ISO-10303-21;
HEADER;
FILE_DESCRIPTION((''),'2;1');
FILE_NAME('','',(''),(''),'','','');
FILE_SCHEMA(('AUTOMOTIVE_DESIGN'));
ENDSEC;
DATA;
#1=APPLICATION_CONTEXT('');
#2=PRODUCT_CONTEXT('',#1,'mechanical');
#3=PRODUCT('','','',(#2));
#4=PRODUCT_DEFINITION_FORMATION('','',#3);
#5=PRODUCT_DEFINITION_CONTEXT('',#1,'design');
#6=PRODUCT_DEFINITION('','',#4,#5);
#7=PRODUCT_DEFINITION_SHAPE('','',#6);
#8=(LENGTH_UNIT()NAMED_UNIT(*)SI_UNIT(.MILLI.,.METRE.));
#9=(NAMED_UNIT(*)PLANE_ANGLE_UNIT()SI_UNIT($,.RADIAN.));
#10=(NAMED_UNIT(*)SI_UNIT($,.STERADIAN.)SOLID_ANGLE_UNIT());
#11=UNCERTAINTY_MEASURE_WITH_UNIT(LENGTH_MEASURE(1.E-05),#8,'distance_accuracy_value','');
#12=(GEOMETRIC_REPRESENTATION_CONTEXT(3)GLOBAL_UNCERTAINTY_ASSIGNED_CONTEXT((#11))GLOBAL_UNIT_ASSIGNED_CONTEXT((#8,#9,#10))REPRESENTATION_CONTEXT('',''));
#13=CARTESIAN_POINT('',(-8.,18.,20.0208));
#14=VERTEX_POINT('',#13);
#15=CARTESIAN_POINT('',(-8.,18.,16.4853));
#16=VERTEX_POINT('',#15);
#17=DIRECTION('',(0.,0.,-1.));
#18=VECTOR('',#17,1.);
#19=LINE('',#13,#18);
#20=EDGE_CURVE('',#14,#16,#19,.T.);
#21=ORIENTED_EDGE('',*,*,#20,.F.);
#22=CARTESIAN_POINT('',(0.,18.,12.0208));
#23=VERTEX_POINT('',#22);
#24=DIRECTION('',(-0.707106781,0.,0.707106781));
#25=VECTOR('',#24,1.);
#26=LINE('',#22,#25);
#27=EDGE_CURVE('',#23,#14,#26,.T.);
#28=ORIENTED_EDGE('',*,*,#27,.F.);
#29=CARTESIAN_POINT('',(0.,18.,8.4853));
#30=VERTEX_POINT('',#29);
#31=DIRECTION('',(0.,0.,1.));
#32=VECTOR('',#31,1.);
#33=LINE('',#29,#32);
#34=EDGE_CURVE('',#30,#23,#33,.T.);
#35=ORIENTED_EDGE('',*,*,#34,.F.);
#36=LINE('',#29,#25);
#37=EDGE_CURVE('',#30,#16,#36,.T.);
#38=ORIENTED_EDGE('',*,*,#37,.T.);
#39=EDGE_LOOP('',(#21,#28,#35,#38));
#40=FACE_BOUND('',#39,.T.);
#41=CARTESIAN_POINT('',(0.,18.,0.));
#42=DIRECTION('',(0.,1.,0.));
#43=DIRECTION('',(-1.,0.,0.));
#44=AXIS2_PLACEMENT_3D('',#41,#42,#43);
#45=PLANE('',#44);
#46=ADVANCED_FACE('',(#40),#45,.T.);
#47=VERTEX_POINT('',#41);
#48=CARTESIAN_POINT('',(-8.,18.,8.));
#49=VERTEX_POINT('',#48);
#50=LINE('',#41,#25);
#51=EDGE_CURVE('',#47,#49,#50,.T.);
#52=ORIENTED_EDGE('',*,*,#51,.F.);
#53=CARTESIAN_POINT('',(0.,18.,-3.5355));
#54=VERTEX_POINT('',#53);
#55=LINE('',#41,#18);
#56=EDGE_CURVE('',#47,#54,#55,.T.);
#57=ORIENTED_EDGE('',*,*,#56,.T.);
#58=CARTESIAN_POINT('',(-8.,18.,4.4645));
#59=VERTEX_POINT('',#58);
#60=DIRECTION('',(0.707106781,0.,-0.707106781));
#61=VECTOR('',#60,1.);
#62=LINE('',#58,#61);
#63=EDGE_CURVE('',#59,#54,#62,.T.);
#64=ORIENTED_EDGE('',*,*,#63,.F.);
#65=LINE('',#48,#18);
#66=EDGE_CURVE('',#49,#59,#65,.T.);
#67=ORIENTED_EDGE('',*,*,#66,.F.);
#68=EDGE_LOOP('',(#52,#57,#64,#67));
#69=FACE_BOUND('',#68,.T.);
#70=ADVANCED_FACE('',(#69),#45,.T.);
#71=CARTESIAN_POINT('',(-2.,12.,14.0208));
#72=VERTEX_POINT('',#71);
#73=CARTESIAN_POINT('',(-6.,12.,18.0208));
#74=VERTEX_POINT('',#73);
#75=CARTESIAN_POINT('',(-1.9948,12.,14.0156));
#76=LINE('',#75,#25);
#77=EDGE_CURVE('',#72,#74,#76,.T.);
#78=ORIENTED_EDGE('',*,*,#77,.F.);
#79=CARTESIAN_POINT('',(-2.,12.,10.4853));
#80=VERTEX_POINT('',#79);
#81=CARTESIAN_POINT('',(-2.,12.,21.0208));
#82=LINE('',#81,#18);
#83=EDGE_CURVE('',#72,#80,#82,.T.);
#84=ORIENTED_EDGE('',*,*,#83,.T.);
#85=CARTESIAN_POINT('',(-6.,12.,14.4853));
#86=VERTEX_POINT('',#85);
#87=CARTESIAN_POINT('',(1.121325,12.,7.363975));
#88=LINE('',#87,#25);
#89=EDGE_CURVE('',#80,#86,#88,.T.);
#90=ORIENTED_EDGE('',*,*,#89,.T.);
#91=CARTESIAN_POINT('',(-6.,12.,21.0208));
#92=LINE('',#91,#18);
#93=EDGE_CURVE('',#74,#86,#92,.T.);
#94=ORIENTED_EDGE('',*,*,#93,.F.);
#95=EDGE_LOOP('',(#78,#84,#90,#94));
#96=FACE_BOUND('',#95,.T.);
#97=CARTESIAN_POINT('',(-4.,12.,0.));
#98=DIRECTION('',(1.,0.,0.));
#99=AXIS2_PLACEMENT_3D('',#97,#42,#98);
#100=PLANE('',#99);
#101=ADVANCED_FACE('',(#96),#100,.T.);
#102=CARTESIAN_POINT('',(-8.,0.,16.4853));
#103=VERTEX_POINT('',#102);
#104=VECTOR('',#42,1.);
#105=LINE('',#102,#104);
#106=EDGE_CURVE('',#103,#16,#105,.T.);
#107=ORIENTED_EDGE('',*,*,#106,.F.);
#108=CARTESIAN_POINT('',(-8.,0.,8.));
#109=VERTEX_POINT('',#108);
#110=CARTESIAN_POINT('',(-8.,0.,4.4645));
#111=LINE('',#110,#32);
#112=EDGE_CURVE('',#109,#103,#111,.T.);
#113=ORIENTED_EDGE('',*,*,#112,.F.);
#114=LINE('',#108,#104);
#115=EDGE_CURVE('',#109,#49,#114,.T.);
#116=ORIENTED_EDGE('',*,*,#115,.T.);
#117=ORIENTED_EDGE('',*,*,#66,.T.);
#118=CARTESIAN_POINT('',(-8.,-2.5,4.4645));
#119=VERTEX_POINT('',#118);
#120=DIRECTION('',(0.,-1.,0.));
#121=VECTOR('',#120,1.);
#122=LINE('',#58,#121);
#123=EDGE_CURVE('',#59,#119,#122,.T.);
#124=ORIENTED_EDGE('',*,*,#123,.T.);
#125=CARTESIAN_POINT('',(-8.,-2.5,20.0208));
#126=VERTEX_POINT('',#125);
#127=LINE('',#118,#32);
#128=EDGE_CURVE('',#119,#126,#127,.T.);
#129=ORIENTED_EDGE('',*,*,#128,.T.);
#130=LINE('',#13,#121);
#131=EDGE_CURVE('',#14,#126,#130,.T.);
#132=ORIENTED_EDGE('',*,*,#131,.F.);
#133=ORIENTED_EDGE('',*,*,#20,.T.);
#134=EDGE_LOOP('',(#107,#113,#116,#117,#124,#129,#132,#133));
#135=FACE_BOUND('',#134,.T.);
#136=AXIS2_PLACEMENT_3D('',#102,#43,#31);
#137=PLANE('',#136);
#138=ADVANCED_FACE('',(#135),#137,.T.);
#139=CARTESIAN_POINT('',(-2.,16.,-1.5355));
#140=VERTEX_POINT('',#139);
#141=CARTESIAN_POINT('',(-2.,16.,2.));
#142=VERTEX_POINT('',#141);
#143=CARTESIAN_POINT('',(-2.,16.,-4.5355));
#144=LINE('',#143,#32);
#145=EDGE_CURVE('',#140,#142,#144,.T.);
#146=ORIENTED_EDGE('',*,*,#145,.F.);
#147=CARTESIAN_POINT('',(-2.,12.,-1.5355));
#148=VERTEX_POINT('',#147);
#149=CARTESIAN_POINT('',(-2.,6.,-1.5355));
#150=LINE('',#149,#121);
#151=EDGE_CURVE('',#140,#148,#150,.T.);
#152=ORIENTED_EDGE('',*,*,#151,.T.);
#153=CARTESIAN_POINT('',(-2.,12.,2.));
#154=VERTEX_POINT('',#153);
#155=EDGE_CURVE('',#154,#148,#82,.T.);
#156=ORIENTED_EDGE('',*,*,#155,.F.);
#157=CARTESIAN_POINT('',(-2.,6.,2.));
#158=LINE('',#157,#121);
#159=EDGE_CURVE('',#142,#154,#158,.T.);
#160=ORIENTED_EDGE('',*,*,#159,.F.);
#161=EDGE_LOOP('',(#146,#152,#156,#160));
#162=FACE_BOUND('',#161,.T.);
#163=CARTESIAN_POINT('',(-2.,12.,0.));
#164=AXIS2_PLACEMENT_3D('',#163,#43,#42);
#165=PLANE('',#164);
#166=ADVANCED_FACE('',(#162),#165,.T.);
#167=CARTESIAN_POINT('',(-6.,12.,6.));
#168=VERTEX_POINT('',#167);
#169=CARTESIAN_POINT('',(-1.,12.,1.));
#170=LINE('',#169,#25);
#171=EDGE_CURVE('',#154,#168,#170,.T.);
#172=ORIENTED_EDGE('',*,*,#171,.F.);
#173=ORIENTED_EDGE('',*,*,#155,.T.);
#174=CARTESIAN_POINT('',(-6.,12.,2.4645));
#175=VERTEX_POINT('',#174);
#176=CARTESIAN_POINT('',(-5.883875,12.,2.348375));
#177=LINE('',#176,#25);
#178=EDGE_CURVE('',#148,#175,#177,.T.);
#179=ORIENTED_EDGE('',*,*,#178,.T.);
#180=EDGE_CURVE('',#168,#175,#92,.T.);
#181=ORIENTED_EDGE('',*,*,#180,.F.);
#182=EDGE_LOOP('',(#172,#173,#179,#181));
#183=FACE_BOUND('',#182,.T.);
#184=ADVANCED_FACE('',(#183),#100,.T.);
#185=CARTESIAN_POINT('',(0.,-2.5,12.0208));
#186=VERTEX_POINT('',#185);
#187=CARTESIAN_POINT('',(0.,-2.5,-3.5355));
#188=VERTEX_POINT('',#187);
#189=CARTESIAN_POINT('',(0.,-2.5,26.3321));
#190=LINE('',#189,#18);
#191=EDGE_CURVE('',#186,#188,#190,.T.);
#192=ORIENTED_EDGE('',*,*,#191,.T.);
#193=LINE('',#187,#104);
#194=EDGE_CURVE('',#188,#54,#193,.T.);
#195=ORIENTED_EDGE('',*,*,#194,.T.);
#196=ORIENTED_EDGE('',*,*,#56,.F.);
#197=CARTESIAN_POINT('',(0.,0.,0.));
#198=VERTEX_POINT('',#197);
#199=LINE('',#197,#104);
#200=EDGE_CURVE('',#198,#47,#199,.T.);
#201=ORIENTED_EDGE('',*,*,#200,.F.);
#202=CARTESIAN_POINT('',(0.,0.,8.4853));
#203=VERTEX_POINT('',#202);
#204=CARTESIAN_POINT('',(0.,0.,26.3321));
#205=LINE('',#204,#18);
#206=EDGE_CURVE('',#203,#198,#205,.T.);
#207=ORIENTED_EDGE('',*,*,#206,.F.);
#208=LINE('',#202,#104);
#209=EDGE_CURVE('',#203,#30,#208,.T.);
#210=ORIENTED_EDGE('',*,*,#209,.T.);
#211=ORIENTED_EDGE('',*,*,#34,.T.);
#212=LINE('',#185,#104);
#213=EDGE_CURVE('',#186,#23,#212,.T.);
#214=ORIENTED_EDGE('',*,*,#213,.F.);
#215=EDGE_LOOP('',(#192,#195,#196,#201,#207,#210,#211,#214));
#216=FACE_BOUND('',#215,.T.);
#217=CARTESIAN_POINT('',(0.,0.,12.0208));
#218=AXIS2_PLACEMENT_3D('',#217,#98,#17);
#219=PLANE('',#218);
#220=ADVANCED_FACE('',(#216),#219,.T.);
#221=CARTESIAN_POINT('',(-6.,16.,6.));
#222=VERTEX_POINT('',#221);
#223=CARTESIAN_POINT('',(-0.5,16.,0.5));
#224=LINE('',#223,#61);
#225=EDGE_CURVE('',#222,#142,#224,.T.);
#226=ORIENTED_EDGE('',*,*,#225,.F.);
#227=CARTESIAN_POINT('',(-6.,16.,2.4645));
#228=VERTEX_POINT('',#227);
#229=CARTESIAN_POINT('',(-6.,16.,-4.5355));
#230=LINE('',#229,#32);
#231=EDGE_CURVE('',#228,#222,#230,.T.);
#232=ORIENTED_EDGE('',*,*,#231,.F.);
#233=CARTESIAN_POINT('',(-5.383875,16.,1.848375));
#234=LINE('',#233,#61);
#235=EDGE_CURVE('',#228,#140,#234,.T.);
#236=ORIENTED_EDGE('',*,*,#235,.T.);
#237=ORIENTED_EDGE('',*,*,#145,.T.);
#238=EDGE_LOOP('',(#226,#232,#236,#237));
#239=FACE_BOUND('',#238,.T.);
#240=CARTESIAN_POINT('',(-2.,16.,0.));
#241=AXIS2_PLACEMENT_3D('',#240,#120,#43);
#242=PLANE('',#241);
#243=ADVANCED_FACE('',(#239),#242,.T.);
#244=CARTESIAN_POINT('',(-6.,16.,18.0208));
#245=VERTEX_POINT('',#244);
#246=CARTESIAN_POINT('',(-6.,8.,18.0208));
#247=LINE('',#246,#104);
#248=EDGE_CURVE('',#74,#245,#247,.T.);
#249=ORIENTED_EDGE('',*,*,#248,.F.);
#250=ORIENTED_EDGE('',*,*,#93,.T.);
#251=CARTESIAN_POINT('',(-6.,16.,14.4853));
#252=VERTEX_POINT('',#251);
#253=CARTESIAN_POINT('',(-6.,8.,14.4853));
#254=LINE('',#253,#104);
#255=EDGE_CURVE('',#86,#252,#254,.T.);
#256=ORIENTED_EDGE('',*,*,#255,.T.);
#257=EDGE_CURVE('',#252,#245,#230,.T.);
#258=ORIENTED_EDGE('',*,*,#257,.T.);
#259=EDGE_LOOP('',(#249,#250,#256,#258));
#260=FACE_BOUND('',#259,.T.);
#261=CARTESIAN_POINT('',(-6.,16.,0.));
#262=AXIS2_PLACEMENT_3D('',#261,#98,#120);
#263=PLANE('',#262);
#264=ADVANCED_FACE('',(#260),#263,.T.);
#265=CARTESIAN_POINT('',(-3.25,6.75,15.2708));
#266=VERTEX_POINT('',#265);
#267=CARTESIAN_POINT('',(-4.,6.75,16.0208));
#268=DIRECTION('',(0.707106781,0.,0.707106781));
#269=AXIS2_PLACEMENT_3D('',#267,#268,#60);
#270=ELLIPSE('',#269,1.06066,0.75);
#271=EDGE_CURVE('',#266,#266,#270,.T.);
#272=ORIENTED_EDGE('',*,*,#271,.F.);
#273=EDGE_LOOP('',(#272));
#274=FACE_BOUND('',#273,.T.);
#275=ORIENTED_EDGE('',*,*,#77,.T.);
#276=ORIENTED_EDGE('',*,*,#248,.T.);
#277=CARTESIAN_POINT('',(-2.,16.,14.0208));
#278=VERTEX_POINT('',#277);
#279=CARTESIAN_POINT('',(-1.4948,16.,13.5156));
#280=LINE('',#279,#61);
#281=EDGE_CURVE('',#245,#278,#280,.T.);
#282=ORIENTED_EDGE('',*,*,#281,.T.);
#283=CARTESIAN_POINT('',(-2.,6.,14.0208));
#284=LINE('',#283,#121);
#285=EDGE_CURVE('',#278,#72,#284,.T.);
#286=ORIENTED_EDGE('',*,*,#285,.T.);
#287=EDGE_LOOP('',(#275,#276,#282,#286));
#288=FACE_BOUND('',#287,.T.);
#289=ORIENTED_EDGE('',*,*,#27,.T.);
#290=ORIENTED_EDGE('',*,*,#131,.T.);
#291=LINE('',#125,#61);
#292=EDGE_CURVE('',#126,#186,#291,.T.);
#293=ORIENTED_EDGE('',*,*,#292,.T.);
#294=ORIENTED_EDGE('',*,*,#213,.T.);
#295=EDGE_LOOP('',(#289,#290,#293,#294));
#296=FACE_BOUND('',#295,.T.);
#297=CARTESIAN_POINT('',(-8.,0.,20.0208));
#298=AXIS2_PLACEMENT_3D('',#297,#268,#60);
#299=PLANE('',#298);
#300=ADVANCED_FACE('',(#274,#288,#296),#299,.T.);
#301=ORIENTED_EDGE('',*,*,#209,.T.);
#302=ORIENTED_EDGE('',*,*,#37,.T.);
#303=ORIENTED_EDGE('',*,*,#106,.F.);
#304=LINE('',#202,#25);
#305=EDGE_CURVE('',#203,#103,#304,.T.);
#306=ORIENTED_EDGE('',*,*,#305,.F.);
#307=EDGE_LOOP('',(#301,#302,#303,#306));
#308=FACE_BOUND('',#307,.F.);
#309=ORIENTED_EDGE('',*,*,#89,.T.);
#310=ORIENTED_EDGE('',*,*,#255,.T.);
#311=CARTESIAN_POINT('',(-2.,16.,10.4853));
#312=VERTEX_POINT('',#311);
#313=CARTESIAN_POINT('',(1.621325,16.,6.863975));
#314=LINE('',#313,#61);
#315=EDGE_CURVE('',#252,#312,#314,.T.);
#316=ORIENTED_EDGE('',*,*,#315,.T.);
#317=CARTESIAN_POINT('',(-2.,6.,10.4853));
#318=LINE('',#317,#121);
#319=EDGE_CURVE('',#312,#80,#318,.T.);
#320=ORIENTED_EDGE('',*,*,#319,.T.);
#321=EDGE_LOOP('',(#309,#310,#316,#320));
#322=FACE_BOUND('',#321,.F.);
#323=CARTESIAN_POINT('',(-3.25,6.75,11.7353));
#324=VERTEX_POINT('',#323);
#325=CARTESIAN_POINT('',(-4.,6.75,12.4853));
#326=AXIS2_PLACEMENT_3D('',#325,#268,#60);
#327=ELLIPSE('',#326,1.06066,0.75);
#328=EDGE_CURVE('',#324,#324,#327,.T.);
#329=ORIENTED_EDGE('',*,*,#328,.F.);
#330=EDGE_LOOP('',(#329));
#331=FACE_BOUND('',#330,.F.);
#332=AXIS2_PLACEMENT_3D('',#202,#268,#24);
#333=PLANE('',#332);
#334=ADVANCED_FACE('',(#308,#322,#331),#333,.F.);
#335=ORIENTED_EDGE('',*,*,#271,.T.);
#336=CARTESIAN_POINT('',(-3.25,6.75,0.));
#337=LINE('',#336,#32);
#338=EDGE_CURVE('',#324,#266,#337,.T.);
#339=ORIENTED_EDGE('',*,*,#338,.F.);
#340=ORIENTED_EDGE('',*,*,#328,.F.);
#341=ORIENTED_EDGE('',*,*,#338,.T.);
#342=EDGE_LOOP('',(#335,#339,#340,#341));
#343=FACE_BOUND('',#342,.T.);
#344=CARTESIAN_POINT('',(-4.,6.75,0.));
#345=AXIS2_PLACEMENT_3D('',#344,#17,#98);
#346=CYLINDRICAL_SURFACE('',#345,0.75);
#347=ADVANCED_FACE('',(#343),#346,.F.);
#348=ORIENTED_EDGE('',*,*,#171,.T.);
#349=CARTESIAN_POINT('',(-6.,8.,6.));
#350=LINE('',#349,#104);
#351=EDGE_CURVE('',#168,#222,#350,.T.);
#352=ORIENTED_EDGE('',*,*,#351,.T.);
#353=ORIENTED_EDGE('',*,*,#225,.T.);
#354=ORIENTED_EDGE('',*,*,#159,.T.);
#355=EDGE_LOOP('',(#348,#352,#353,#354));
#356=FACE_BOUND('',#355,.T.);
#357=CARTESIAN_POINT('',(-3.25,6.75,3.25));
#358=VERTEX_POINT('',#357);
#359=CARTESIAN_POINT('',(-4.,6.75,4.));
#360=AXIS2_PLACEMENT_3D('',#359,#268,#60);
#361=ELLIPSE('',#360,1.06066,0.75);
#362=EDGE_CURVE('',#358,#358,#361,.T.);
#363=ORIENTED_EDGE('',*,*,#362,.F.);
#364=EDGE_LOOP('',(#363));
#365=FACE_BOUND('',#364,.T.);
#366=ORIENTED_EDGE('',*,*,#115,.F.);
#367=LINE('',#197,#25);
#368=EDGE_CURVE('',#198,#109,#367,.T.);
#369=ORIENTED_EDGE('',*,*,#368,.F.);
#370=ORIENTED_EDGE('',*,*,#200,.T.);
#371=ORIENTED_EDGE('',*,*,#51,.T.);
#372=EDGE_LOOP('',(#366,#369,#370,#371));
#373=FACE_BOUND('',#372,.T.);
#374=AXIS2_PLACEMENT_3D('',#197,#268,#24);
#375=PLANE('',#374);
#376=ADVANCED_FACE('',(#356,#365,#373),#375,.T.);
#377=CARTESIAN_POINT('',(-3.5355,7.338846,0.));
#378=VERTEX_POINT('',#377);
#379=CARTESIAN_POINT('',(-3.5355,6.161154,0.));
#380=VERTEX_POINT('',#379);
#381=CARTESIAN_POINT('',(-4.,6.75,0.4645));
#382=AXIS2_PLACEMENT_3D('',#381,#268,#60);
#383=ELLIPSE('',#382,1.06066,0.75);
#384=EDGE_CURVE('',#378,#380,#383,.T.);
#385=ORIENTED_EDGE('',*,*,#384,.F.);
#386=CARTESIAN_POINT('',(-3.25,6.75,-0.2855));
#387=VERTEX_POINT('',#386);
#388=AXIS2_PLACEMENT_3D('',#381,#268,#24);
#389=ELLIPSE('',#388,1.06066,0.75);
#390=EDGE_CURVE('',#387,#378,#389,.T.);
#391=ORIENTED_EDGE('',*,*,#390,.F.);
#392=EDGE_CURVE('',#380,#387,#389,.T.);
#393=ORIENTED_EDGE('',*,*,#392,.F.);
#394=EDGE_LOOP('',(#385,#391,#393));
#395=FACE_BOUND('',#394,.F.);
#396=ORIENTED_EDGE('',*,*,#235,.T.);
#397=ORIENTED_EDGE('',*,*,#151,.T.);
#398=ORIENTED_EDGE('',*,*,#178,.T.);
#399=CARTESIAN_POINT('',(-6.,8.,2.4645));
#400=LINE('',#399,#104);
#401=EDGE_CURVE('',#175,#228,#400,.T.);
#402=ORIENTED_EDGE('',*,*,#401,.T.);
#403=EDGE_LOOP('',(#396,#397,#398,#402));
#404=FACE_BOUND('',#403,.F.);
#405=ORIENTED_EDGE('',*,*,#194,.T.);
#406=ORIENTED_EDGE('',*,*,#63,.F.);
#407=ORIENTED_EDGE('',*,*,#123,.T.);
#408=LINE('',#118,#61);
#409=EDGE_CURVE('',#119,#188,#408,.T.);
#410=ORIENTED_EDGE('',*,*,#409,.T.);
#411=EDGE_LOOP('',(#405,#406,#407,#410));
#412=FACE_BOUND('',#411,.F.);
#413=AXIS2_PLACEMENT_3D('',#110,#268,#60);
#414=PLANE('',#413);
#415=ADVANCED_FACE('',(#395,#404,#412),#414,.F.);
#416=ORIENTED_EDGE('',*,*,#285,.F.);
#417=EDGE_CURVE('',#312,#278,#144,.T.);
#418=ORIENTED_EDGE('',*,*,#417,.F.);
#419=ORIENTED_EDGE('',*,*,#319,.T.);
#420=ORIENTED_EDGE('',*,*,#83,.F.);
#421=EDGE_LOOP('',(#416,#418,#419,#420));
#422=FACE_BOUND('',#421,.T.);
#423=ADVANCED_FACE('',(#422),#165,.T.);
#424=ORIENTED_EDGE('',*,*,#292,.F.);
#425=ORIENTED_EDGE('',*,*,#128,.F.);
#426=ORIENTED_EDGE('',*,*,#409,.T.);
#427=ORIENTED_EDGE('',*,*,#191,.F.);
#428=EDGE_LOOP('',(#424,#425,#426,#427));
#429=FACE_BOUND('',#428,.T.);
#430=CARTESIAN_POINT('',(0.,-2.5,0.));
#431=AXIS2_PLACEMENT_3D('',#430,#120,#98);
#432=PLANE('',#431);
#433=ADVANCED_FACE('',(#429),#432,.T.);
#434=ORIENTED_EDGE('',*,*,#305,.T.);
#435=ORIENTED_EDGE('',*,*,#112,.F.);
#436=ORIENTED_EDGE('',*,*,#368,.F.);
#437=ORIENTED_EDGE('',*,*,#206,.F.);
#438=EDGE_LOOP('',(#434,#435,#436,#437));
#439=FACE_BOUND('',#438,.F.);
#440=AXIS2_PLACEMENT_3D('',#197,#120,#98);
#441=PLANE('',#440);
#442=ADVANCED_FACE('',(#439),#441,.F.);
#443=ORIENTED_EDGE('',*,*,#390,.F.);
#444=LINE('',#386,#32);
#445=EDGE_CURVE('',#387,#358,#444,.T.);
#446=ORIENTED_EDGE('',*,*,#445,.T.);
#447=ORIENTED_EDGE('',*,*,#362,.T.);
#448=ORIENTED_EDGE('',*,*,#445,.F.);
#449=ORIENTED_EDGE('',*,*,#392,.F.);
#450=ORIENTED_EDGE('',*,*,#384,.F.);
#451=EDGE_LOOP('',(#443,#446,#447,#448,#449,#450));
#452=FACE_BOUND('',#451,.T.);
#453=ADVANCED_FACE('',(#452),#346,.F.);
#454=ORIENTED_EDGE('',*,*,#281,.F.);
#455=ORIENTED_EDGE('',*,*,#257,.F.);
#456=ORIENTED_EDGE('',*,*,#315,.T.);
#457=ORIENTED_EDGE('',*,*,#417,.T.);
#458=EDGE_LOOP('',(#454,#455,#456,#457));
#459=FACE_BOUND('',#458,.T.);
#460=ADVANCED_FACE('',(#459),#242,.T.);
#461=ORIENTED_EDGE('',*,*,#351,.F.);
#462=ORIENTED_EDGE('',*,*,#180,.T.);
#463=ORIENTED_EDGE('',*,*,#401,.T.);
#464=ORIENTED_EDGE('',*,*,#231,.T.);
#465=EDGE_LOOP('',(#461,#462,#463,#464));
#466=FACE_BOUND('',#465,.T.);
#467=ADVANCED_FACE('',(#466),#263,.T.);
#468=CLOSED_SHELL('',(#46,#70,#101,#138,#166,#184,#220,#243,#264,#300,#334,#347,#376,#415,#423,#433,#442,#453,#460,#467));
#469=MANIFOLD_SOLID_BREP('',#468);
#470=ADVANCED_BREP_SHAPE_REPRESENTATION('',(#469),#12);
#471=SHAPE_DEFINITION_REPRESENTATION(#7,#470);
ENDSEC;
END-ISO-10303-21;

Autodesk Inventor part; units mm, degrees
ref_plane "YZ Plane" through (0, 0, 0) normal (1, 0, 0) x (0, 1, 0)
ref_plane "XZ Plane" through (0, 0, 0) normal (0, 1, 0) x (-1, 0, 0)
ref_plane "XY Plane" through (0, 0, 0) normal (0, 0, 1) x (1, 0, 0)
sketch "Sketch2" plane through (0, 0, 0) normal (0, 1, 0) x (-1, 0, 0)
  line L0 (0, 0) -> (15.6172, 15.6172) construction
  line L1 (0, 0) -> (0, -11.6637) construction
  line L2 (-18.4102, -9.9249) -> (9.458, 17.9433) construction
  line L3 (0, 0) -> (8, 8)
  line L4 (8, 4.4645) -> (8, 4.4645)
  line L5 (8, 8) -> (8, 4.4645)
  line L6 (0, 0) -> (0, -3.5355)
  line L7 (0, 8.4853) -> (0, 12.0208)
  line L8 (0, 12.0208) -> (8, 20.0208)
  line L9 (8, 20.0208) -> (8, 16.4853)
  line L10 (0, 8.4853) -> (8, 16.4853)
  line L11 (8, 4.4645) -> (0, -3.5355)
  point P0 (-12.2426, -3.7574)
  dimension "d0" = 135
  dimension "d1" = 6
  dimension "d2" = 2.5
  dimension "d4" = 8
extrude "Extrusion1" add sketch "Sketch2" along normal blind 18
sketch "Sketch3" plane through (0, 0, 0) normal (0, -1, 0) x (1, 0, 0)
  line L0 (-8, 20.0208) -> (0, 12.0208) projected
  line L1 (-8, 4.4645) -> (0, -3.5355) projected
  line L2 (-8, 8) -> (-8, 4.4645) projected
  line L3 (0, 26.3321) -> (0, -17.8468) projected
  line L4 (-8, 16.4853) -> (-8, 20.0208) projected
  line L5 (0, 12.0208) -> (0, -3.5355)
  line L6 (-8, 4.4645) -> (-8, 20.0208)
  line L7 (-8, 20.0208) -> (0, 12.0208)
  line L8 (0, -3.5355) -> (-8, 4.4645)
  point P0 (0, 0)
extrude "Extrusion2" add sketch "Sketch3" along normal blind 2.5
sketch "Sketch4" plane through (0, 0, 0) normal (0, 0, 1) x (1, 0, 0)
  line L0 (-8, 18) -> (0, 18) projected
  line L1 (-2, 16) -> (-6, 16)
  line L2 (-6, 16) -> (-6, 12)
  line L3 (-6, 12) -> (-2, 12)
  line L4 (-2, 12) -> (-2, 16)
  line L5 (-4, 18) -> (-4, 0)
  line L6 (0, 0) -> (-8, 0) projected
  point P0 (-4, 16)
  dimension "d9" = 4
  dimension "d10" = 4
  dimension "d14" = 12
extrude "Extrusion3" cut sketch "Sketch4" along normal through all both and the other way through all
sketch "Sketch6" plane through (0, 0, 0) normal (0, 0, 1) x (1, 0, 0)
  line L0 (-2, 12) -> (-6, 12) projected
  line L1 (-4, 12) -> (-4, 2.9314) construction
  circle A0 centre (-4, 6.75) radius 0.75
  line L2 (0, 0) -> (-8, 0) projected
  dimension "d20" = 1.5
  dimension "d21" = 6
extrude "Extrusion5" cut sketch "Sketch6" along normal through all both and the other way through all
properties part number "gimbal_stick_fixation_big"
